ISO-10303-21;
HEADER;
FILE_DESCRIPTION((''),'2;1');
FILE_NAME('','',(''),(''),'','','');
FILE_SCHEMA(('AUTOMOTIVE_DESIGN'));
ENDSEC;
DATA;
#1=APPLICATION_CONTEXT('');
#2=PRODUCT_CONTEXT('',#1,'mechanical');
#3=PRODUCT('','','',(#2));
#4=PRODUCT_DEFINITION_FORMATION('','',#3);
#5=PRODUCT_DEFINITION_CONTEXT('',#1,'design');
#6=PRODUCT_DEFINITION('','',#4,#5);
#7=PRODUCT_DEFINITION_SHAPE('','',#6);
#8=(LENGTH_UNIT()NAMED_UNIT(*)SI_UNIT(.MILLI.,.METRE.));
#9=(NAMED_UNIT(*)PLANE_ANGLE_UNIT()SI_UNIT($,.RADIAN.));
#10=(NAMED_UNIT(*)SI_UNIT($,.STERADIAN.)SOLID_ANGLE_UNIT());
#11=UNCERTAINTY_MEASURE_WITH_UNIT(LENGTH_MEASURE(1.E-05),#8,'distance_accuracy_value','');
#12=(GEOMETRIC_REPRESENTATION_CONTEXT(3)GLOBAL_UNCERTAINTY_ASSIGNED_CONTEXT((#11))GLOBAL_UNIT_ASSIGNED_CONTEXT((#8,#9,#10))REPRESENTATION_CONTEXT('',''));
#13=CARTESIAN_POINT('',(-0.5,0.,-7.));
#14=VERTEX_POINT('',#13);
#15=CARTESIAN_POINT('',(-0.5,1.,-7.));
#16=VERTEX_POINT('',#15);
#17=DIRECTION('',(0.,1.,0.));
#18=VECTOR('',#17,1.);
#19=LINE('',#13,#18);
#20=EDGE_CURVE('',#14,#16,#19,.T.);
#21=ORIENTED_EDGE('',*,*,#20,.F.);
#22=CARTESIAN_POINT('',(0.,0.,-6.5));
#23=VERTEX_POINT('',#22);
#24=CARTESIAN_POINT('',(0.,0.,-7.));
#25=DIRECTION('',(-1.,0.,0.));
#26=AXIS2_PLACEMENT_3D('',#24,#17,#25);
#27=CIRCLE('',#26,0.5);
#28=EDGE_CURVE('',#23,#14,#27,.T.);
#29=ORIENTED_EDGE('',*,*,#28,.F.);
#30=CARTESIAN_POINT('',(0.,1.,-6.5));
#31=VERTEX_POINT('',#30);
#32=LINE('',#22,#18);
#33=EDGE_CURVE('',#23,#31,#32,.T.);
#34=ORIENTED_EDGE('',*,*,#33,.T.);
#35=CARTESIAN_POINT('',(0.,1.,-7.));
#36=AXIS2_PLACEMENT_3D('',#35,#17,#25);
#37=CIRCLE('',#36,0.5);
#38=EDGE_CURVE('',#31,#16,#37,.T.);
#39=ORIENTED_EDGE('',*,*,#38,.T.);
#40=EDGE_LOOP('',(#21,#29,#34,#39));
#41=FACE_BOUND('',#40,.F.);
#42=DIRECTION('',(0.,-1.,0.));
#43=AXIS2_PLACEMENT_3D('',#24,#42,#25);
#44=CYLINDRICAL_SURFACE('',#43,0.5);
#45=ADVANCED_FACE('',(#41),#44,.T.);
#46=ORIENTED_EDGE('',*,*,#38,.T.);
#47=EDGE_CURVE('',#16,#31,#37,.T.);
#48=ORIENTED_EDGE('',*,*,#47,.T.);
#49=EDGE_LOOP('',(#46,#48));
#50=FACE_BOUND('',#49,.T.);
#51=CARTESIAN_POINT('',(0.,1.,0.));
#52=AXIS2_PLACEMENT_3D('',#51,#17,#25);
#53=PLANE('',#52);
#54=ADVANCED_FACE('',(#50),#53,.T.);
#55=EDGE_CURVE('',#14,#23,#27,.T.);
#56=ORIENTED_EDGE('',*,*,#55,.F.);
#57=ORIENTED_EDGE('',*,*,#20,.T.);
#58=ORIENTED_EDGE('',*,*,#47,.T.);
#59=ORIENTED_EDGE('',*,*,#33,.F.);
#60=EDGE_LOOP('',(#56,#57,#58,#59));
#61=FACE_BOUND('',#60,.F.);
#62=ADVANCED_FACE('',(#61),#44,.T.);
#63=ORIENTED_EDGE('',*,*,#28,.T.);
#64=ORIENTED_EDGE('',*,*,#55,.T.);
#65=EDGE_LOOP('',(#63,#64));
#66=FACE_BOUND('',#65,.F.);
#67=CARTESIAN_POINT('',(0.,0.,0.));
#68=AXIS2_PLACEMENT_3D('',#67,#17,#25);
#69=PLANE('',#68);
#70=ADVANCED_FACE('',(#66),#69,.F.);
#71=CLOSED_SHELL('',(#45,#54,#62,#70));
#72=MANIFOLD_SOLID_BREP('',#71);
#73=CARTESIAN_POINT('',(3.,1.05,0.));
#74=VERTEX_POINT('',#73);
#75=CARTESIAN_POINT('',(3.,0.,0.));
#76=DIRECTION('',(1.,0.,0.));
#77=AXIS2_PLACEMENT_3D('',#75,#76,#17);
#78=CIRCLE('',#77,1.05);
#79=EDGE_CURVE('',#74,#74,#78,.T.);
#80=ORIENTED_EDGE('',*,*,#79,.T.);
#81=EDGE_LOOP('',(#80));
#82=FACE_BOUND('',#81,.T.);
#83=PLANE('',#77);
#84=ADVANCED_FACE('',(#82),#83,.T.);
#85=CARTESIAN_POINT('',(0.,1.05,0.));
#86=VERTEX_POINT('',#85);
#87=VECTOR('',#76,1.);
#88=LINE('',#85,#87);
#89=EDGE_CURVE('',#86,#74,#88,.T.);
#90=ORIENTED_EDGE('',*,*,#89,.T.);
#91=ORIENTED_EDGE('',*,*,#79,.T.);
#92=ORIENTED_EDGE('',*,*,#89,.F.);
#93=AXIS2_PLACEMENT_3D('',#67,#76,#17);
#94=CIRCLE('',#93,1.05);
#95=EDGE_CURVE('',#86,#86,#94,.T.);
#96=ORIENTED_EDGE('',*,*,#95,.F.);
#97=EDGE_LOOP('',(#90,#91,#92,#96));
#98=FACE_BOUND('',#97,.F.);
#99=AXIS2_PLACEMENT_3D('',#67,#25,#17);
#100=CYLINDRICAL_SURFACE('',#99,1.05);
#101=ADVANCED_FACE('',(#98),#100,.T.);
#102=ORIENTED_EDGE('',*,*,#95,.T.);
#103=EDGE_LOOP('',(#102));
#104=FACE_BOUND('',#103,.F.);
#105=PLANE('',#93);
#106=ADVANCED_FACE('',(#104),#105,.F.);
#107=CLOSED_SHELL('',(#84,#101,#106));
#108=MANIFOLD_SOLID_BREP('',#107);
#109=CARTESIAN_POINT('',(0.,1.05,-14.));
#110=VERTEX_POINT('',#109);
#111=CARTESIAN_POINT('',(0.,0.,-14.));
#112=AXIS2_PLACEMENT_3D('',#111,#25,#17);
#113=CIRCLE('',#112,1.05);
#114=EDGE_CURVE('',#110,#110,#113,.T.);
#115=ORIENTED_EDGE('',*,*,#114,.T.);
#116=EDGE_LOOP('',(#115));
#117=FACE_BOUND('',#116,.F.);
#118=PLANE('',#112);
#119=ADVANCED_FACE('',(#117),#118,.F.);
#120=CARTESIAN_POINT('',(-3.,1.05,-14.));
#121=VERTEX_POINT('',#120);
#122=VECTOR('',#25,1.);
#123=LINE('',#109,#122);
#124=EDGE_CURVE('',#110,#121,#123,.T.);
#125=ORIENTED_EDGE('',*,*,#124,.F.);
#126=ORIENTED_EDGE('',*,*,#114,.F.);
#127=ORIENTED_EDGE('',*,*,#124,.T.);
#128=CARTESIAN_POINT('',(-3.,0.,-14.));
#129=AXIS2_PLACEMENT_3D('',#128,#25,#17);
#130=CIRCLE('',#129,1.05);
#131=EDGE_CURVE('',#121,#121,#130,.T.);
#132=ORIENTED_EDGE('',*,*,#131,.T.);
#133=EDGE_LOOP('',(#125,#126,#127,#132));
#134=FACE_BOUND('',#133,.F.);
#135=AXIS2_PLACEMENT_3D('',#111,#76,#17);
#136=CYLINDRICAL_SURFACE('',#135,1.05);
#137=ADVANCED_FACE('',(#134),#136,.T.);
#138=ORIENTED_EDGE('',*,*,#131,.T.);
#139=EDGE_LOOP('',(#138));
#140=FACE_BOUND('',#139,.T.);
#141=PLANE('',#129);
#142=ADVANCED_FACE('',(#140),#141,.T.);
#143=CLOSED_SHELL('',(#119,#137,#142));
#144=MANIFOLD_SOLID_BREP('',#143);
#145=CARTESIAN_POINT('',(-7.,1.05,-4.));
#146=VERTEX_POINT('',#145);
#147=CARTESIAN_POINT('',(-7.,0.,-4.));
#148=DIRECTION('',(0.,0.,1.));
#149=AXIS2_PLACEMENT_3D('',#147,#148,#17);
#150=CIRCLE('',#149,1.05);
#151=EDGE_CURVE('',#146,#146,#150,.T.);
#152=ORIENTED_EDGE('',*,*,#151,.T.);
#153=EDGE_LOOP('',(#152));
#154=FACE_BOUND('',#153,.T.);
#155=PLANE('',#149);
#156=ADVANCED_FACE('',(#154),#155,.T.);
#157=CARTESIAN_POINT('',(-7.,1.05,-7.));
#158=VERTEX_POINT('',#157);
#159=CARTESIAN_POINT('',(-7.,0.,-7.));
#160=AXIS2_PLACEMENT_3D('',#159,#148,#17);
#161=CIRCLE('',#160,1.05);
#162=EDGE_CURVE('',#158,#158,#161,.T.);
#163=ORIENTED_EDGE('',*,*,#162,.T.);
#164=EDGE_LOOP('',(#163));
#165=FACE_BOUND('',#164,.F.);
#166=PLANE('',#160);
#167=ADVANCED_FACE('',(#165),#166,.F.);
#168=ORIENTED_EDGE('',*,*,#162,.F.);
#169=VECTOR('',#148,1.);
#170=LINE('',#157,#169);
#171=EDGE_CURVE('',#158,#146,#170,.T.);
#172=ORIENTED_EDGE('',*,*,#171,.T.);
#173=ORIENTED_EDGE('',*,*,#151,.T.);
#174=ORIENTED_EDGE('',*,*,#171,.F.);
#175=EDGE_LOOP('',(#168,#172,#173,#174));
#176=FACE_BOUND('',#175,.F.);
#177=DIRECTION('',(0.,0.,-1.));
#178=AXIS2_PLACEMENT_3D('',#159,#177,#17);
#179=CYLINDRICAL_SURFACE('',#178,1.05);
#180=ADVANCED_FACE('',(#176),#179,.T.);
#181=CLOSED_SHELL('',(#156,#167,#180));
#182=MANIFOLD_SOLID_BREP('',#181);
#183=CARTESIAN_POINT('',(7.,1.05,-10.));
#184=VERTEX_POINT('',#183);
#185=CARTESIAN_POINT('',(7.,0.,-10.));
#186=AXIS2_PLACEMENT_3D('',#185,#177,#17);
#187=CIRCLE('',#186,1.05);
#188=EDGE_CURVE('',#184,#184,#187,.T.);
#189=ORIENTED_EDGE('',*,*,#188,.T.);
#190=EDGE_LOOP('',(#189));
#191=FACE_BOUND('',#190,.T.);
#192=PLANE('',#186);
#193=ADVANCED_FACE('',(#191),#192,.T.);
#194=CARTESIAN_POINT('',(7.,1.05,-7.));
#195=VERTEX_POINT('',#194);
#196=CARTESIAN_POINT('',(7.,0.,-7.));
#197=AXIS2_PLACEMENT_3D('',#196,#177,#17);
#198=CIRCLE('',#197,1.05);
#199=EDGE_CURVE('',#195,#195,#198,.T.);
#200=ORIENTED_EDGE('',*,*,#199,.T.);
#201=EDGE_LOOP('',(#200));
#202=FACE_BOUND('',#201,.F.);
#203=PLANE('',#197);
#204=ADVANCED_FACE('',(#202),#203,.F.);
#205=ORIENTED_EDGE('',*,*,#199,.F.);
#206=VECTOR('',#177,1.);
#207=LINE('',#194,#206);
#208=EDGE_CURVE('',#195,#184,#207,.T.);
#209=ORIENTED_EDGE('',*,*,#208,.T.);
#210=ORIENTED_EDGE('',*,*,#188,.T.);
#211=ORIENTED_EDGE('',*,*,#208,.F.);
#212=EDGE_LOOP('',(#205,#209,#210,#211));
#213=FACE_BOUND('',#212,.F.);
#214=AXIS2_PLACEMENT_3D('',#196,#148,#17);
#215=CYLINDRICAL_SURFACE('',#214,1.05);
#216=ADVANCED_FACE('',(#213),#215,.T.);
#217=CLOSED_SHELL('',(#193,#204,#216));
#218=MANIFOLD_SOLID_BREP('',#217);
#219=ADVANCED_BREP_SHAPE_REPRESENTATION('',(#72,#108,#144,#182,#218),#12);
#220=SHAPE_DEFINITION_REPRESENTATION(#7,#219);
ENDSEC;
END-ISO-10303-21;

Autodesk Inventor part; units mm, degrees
ref_plane "YZ Plane" through (0, 0, 0) normal (1, 0, 0) x (0, 1, 0)
ref_plane "XZ Plane" through (0, 0, 0) normal (0, 1, 0) x (-1, 0, 0)
ref_plane "XY Plane" through (0, 0, 0) normal (0, 0, 1) x (1, 0, 0)
sketch "Sketch1" plane through (0, 0, 0) normal (1, 0, 0) x (0, 1, 0)
  circle A0 centre (0, 0) radius 1.05
  dimension "d0" = 2.1
extrude "Extrusion1" add sketch "Sketch1" along normal blind 3
sketch "Sketch2" plane through (0, 0, 0) normal (0, 1, 0) x (-1, 0, 0)
  line L0 (0, 0) -> (0, -7)
  circle A0 centre (0, -7) radius 0.5
  dimension "d3" = 7
  dimension "d4" = 1
extrude "Extrusion2" add sketch "Sketch2" along normal blind 1
pattern_circular "Circular Pattern1" count 4 over 360 about axis through (0, 0, -7) along (0, 1, 0) of "Extrusion1"
properties part number "inner_ring"
